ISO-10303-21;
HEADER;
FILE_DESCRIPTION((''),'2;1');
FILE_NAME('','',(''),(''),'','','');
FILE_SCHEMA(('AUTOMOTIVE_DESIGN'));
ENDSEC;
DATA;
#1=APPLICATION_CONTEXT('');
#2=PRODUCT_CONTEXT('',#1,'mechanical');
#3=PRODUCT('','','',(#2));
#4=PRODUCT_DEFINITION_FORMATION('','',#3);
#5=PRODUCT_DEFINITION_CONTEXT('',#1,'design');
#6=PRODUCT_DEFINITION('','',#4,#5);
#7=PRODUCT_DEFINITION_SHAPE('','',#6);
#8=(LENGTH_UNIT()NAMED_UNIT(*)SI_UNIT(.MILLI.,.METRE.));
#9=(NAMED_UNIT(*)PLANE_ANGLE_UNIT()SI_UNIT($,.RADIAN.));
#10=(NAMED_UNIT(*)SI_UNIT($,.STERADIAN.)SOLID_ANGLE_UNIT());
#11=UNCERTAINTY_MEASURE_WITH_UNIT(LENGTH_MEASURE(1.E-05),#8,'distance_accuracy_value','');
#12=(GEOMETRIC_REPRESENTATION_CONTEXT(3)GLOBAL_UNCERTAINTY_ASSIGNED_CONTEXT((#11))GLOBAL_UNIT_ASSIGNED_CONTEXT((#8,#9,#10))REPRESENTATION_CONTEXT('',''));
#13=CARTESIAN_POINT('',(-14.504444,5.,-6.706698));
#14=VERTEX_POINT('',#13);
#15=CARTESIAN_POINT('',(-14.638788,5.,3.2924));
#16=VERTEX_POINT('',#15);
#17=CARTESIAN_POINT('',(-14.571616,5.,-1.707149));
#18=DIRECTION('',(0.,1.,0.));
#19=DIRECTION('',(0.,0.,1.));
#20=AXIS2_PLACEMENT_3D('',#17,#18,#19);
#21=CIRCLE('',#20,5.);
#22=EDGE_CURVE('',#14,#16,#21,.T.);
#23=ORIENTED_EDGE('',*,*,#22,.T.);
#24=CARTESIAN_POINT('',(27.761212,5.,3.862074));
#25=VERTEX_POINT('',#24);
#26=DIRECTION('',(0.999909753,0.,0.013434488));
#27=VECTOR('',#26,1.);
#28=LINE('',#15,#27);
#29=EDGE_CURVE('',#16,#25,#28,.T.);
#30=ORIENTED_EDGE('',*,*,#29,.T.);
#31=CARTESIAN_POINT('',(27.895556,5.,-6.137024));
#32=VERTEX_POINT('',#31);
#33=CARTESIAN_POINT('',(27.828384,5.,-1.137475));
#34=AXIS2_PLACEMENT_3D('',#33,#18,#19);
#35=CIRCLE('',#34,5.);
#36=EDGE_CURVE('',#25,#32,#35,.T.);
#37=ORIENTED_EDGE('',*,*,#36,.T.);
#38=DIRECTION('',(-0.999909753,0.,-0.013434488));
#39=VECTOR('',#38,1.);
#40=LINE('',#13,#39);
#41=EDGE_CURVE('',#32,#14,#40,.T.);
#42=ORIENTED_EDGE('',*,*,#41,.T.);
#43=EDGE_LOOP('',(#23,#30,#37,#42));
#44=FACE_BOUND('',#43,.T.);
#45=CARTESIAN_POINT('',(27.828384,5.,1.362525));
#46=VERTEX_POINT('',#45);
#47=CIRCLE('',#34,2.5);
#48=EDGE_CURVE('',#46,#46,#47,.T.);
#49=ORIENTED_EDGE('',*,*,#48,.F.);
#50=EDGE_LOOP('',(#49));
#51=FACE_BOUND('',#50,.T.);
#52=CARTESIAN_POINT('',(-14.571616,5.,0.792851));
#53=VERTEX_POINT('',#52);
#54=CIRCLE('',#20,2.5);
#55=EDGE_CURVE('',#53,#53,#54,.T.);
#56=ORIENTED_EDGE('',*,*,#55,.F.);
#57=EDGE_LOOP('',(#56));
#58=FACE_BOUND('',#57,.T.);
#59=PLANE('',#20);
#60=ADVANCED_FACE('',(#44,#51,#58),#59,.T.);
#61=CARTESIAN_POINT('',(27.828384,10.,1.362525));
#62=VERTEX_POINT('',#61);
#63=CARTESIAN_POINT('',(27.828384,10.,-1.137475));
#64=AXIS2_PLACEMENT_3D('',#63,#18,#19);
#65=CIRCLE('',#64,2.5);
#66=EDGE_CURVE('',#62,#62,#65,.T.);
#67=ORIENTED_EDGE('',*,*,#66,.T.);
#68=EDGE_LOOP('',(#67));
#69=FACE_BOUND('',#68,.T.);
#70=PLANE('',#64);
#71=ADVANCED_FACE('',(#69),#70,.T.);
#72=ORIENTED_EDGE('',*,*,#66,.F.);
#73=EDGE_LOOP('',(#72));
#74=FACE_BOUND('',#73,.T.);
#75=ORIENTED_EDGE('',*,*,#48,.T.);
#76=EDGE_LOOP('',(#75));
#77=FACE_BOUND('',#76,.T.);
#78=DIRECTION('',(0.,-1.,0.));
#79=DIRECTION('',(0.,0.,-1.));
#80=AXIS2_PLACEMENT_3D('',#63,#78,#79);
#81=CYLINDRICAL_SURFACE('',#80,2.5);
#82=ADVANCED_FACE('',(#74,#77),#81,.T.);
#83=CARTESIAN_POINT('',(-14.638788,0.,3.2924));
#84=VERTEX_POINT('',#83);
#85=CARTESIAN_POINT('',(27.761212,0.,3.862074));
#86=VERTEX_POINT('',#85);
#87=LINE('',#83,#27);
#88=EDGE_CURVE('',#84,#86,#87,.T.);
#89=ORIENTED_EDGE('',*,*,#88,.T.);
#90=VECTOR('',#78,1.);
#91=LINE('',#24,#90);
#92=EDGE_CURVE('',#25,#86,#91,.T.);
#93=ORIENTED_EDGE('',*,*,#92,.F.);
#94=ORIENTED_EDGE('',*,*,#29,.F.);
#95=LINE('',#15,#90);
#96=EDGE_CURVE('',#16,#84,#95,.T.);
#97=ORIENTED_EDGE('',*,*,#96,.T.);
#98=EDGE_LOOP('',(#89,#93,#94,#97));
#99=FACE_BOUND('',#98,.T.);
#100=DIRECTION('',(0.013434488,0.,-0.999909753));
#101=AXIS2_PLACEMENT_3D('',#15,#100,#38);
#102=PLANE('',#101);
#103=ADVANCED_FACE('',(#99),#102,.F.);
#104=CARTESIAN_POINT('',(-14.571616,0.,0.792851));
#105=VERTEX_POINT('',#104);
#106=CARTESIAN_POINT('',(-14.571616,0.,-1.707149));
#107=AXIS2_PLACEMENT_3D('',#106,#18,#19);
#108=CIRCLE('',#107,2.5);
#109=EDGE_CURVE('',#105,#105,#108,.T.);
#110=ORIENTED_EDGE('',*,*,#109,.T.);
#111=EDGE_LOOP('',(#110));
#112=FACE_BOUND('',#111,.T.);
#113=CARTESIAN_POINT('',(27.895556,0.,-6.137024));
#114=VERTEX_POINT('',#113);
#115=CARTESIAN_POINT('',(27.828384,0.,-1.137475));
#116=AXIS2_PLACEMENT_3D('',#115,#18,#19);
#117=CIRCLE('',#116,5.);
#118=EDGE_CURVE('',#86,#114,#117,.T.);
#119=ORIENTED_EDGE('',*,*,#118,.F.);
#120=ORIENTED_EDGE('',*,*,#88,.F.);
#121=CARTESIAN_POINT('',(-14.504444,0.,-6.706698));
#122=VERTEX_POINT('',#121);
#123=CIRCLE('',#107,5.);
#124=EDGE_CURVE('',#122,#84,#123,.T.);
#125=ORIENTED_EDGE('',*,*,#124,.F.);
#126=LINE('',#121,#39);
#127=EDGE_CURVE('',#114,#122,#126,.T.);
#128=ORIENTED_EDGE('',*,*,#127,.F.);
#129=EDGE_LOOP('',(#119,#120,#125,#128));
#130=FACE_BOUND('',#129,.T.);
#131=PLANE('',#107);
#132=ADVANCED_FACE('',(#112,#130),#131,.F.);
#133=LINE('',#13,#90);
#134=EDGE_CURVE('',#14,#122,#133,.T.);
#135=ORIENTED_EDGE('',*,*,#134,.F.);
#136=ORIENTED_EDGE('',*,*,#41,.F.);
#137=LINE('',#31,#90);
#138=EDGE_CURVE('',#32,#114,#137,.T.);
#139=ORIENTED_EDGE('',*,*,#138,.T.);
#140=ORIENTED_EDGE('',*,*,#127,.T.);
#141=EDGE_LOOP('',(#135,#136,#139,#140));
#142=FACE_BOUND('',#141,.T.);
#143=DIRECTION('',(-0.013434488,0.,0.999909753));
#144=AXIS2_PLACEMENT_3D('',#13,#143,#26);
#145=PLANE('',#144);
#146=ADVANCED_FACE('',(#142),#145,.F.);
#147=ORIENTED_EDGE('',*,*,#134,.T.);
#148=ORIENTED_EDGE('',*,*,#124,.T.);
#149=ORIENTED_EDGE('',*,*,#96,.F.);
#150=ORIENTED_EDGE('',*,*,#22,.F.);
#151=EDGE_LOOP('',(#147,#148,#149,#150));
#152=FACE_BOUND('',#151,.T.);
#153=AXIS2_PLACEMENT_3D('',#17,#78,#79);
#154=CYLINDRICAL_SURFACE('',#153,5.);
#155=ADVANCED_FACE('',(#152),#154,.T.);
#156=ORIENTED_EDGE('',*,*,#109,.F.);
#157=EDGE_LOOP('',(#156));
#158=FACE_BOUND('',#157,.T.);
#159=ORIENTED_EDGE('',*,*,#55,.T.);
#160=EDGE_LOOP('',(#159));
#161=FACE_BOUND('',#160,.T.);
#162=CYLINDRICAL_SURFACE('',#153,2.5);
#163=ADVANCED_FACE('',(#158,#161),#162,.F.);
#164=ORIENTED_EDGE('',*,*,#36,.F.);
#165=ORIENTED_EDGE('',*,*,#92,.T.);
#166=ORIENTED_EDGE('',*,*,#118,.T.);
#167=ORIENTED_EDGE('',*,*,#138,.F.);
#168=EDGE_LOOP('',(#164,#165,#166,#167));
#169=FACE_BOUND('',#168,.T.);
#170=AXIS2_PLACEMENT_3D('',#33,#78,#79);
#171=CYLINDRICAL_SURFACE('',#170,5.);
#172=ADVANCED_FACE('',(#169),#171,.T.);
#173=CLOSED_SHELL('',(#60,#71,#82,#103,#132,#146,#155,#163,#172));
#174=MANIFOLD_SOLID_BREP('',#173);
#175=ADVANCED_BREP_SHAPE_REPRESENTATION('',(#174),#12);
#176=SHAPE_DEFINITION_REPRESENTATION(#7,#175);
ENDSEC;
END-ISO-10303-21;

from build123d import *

# Parameters (mm, degrees)
SKETCH1_R           = 2.5
BOSS_EXTRUDE1_DEPTH = 5
SKETCH2_R           = 2.5
BOSS_EXTRUDE2_DEPTH = 5


with BuildPart() as part:
    # Sketch1 → Boss-Extrude1 (new body)
    with BuildSketch(Plane(origin=(0, 0, 0), x_dir=(1, 0, 0), z_dir=(0, 1, 0))):
        with BuildLine():
            Line((-14.504443595, 6.706697569), (27.895556405, 6.137023864))
            ThreePointArc((27.895556405, 6.137023864), (32.82793273, 1.070302658), (27.761211524, -3.862073668))
            Line((27.761211524, -3.862073668), (-14.638788476, -3.292399963))
            ThreePointArc((-14.638788476, -3.292399963), (-19.571164802, 1.774321243), (-14.504443595, 6.706697569))
        make_face()
        with Locations(Location((-14.571616036, 1.707148803, 0), (0, 0, 270))):
            Circle(SKETCH1_R, mode=Mode.SUBTRACT)
    extrude(amount=BOSS_EXTRUDE1_DEPTH)

    # Sketch2 → Boss-Extrude2 (add)
    with BuildSketch(Plane(origin=(0, 5, 0), x_dir=(1, 0, 0), z_dir=(0, 1, 0))):
        with Locations(Location((27.828383964, 1.137475098, 0), (0, 0, 270))):
            Circle(SKETCH2_R)
    extrude(amount=BOSS_EXTRUDE2_DEPTH)


solid = part.part
